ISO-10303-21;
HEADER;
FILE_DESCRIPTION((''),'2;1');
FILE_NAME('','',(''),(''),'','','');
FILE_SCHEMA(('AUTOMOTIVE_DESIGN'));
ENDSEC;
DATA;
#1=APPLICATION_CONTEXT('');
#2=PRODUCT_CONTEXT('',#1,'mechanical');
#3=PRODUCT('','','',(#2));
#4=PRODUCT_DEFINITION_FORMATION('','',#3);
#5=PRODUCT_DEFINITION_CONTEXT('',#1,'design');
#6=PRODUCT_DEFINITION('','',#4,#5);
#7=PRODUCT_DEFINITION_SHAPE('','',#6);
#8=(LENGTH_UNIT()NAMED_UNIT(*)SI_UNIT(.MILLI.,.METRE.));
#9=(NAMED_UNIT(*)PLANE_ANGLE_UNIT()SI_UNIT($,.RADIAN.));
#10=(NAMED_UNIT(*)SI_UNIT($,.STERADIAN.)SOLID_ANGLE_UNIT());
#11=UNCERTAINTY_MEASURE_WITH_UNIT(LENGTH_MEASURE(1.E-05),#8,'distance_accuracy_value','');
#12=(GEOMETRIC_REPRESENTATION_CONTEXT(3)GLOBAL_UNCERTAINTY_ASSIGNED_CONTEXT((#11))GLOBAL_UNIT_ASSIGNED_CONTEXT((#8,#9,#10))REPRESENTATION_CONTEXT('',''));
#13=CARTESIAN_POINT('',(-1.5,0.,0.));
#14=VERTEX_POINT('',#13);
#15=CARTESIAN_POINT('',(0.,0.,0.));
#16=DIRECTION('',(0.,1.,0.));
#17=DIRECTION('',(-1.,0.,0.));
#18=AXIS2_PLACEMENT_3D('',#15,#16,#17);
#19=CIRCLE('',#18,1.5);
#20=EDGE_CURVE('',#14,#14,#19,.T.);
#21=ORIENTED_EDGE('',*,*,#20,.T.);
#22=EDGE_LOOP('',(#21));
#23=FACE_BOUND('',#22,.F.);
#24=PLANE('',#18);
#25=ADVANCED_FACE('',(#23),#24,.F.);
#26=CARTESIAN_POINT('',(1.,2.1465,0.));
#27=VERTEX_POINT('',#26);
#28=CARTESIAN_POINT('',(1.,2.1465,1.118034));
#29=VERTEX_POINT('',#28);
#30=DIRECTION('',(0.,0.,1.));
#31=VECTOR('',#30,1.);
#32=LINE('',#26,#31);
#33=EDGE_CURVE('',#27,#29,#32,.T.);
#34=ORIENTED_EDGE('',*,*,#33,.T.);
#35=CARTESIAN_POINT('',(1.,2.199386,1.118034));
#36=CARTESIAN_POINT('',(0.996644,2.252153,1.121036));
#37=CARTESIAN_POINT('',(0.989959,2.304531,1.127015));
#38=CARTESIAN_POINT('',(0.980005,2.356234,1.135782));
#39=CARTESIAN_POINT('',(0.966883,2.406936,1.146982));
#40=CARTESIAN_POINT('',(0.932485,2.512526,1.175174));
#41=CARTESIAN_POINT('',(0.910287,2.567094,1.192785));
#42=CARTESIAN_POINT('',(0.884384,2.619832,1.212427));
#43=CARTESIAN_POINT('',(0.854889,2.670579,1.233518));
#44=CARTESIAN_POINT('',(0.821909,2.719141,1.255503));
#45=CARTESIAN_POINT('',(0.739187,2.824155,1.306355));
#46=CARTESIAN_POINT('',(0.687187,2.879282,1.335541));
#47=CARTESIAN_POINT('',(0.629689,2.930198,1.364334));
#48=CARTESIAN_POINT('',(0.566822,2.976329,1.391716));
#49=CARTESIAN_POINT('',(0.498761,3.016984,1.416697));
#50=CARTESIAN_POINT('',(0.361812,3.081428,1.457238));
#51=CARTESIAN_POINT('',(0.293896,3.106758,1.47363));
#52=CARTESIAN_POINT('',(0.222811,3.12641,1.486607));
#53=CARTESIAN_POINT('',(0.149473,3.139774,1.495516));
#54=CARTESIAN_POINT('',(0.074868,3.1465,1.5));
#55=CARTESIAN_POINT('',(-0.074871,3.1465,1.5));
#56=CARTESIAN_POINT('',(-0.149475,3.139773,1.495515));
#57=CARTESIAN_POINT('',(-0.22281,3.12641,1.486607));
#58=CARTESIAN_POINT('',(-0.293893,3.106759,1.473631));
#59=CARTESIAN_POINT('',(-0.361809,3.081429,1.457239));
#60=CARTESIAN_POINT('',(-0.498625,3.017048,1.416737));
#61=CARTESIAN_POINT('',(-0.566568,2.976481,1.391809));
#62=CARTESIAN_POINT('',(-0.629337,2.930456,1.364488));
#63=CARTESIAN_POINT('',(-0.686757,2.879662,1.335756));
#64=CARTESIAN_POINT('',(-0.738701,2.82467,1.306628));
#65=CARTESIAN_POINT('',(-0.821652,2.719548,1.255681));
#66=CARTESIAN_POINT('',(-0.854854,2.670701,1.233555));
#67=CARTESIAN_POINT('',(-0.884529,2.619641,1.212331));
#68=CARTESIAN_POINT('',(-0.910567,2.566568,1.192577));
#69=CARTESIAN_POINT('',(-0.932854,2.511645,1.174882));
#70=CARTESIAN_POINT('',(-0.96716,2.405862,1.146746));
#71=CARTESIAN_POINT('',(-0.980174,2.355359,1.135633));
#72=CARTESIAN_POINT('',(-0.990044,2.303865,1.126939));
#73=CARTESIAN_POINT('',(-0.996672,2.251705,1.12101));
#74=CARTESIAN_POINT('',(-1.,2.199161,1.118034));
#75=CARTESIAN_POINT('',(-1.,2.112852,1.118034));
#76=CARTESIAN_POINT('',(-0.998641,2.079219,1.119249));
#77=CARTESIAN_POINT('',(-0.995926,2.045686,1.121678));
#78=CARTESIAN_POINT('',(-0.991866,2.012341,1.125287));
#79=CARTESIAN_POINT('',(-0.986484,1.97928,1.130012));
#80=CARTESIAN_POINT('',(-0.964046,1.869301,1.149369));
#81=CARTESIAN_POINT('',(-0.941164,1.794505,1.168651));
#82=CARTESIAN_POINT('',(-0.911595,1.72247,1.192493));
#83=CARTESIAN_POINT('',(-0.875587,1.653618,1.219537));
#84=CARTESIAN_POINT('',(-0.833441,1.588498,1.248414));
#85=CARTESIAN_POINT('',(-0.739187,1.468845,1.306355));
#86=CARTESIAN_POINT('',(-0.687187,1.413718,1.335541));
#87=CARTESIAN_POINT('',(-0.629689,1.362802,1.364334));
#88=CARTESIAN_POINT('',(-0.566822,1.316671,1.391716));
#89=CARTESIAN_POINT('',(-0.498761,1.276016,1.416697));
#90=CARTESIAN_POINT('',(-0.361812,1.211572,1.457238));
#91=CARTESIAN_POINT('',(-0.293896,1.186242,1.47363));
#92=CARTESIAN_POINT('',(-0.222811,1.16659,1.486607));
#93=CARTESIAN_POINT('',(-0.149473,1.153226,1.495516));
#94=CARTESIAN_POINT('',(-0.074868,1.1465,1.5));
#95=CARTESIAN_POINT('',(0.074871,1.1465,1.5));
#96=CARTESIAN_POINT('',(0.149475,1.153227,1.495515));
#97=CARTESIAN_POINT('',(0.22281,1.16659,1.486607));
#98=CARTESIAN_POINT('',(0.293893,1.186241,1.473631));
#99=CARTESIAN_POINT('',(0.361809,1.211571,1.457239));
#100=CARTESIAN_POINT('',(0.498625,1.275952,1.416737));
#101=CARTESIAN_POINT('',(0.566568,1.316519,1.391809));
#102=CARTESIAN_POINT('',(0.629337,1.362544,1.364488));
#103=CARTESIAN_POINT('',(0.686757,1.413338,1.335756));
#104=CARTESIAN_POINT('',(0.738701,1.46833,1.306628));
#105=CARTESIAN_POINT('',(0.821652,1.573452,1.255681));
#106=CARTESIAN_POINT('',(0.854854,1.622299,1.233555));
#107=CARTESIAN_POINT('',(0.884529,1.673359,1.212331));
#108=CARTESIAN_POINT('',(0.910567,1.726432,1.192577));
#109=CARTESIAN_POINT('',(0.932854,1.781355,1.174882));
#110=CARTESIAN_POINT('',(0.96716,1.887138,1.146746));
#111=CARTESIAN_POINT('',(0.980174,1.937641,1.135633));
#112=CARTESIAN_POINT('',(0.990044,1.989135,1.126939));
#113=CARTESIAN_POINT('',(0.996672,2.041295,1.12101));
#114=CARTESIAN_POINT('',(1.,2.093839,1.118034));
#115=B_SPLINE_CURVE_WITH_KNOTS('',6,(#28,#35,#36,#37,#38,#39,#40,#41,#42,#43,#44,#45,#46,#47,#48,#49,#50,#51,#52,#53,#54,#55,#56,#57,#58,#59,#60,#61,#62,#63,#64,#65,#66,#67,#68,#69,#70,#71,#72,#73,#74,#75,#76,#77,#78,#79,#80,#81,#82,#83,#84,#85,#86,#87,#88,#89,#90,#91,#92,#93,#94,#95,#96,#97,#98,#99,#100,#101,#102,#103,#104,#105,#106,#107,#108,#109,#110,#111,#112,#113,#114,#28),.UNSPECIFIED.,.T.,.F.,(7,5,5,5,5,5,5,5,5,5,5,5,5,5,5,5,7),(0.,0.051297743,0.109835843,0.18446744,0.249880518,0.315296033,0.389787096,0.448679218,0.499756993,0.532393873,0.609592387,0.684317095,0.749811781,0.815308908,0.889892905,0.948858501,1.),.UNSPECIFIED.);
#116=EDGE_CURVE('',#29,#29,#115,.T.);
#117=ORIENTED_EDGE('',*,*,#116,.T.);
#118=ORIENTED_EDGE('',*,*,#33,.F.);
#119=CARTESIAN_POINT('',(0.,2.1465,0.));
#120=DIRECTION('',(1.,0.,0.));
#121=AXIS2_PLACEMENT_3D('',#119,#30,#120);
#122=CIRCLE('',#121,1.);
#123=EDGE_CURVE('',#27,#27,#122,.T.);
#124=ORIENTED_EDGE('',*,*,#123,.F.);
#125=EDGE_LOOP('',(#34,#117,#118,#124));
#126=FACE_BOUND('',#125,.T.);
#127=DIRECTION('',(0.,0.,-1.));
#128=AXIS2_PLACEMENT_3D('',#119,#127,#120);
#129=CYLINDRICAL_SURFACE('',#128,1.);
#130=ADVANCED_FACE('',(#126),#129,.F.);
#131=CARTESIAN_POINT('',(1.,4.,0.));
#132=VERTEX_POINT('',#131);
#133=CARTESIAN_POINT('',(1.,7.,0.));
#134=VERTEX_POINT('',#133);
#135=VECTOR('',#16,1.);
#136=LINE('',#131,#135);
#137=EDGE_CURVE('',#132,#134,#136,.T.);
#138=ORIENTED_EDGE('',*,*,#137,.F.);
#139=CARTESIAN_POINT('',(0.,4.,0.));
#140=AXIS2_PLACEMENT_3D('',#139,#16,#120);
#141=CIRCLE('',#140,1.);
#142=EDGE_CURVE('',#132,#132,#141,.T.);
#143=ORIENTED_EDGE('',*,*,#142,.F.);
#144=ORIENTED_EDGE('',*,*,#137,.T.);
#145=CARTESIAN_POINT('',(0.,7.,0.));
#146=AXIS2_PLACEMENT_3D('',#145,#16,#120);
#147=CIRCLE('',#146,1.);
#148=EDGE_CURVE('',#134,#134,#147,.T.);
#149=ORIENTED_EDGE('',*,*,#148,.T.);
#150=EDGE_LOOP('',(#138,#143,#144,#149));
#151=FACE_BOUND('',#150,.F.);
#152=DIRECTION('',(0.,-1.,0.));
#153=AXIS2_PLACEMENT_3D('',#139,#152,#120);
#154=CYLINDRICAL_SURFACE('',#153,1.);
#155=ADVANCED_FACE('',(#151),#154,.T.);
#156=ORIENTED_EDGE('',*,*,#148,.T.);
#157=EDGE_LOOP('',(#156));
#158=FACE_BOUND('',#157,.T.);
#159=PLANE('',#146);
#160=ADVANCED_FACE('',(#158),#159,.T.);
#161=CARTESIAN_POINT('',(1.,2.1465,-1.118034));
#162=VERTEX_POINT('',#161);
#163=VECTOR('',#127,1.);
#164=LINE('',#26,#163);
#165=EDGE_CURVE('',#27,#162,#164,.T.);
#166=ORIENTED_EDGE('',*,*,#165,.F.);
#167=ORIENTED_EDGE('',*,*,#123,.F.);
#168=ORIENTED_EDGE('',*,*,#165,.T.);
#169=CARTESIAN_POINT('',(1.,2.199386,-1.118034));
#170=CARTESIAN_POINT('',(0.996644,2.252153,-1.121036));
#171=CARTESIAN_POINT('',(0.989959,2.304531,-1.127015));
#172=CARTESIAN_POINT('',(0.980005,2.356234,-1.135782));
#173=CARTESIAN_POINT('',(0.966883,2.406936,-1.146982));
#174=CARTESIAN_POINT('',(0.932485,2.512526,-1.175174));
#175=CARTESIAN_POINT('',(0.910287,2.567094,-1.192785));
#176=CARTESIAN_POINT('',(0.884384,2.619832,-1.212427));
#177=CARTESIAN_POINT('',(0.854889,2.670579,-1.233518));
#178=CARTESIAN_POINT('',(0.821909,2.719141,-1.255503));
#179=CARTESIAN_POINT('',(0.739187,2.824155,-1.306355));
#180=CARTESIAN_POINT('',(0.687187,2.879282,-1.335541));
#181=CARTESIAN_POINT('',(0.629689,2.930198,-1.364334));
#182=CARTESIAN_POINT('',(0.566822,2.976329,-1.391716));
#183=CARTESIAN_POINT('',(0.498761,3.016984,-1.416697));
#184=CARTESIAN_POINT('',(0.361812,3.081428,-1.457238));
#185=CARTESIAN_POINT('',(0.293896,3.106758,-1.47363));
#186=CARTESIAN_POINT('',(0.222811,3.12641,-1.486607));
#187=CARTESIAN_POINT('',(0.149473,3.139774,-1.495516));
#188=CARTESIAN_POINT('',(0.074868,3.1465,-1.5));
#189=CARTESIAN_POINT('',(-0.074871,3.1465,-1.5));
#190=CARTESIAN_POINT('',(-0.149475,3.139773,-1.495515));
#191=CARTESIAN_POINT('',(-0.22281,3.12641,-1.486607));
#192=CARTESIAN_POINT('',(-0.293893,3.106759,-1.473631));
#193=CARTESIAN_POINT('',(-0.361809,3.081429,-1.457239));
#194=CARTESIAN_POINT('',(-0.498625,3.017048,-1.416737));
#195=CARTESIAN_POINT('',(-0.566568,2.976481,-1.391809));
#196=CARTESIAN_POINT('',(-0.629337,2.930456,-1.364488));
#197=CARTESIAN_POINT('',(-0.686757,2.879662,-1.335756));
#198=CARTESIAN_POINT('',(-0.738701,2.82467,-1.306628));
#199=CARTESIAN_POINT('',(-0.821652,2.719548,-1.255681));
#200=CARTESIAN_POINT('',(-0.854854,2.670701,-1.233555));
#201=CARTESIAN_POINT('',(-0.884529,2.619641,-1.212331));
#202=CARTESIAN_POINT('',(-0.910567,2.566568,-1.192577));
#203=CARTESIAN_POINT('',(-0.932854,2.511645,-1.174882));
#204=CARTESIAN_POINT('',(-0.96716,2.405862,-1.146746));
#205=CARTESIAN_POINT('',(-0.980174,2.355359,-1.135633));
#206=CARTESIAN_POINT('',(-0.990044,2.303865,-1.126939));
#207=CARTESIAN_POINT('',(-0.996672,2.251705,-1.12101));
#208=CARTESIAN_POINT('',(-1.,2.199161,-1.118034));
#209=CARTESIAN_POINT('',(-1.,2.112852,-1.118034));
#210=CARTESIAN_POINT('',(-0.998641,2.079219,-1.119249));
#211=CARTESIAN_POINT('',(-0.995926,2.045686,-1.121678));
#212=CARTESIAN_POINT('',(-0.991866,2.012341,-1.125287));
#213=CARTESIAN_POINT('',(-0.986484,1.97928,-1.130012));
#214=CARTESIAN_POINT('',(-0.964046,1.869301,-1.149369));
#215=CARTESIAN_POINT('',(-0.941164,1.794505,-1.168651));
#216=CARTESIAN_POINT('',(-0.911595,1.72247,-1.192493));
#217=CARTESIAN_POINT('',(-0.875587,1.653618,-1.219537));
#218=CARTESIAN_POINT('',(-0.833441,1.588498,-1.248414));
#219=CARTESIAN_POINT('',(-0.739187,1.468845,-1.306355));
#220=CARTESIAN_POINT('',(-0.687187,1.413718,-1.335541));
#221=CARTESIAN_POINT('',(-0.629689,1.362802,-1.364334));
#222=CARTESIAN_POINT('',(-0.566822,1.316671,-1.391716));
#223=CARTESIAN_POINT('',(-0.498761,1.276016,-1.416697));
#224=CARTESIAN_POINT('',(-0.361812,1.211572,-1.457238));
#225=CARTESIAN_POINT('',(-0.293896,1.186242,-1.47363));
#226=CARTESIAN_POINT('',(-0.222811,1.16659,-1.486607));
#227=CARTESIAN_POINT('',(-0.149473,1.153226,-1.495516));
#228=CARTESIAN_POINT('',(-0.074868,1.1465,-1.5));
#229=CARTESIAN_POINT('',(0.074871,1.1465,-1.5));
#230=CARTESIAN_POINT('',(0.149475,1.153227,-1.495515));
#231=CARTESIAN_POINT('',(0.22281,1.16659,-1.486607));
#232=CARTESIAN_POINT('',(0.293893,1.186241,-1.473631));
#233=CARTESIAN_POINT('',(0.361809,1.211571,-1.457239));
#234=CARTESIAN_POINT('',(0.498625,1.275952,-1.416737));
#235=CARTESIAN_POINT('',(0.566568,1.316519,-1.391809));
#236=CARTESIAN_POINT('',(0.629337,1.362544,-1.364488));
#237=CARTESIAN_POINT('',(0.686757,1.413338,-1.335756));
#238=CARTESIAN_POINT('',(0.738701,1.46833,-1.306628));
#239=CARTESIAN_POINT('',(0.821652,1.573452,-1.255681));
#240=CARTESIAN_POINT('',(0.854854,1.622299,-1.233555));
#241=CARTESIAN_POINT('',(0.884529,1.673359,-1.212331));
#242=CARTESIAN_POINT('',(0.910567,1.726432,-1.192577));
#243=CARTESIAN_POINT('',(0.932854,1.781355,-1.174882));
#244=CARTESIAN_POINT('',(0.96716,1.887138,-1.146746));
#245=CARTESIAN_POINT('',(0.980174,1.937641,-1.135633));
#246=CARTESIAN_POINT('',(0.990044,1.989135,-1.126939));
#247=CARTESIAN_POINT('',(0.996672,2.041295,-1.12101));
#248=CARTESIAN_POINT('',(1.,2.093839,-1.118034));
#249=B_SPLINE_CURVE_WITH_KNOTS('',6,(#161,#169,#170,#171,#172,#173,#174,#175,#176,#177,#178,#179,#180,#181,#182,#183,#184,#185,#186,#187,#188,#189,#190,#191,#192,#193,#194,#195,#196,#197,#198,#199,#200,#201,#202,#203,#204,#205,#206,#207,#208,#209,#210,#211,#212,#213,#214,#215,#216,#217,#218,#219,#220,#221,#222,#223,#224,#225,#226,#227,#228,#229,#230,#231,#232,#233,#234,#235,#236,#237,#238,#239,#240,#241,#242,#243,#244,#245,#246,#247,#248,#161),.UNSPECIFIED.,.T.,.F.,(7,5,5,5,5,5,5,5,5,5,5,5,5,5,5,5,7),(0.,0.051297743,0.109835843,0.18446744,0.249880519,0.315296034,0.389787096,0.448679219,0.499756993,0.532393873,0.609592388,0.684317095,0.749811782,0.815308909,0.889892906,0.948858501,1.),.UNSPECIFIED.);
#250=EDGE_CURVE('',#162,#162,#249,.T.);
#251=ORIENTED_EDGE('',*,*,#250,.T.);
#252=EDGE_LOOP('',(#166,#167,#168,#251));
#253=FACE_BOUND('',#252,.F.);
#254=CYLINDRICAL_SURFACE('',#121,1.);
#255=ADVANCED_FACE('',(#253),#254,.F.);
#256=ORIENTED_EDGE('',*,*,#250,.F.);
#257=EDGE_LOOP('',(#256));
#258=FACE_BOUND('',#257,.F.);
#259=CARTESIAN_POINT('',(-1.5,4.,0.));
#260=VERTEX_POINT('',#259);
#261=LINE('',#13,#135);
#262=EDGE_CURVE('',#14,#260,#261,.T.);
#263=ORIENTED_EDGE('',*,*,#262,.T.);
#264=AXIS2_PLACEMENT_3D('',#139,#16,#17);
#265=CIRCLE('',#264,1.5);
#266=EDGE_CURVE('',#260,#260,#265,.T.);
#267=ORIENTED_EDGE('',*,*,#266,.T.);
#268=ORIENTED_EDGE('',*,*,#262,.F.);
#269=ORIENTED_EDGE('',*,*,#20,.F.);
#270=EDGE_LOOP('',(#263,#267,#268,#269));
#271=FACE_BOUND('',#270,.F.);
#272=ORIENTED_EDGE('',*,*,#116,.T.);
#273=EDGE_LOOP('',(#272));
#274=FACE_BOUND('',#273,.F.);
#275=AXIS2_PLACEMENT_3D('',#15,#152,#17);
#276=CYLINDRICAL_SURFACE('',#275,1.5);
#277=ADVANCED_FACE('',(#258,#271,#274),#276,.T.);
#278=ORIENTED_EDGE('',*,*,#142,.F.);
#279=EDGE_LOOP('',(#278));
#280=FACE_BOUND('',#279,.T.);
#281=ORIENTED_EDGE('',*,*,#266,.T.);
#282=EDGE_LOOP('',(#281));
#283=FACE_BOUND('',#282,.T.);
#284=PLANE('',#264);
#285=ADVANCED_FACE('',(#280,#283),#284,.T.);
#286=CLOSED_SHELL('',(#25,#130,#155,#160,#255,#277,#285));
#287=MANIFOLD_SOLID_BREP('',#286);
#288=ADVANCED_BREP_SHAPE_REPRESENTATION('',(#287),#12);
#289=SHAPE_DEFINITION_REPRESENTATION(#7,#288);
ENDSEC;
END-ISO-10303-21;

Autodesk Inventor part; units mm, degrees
ref_plane "YZ Plane" through (0, 0, 0) normal (1, 0, 0) x (0, 1, 0)
ref_plane "XZ Plane" through (0, 0, 0) normal (0, 1, 0) x (-1, 0, 0)
ref_plane "XY Plane" through (0, 0, 0) normal (0, 0, 1) x (1, 0, 0)
sketch "Skizze1" plane through (0, 0, 0) normal (0, 1, 0) x (-1, 0, 0)
  circle A0 centre (0, 0) radius 1.5
  dimension "d0" = 3
extrude "Extrusion1" add sketch "Skizze1" along normal blind 4
sketch "Skizze2" plane through (0, 4, 0) normal (0, 1, 0) x (1, 0, 0)
  circle A0 centre (0, 0) radius 1
  dimension "d3" = 2
extrude "Extrusion2" add sketch "Skizze2" along normal blind 3
sketch "Skizze3" plane through (0, 0, 0) normal (0, 0, 1) x (1, 0, 0)
  circle A0 centre (0, 2.1465) radius 1
  point P0 (0, 0)
  dimension "d6" = 2
extrude "Extrusion3" cut sketch "Skizze3" along normal mid plane 6
properties part number "P_Servo_SIMPROP_ex"
